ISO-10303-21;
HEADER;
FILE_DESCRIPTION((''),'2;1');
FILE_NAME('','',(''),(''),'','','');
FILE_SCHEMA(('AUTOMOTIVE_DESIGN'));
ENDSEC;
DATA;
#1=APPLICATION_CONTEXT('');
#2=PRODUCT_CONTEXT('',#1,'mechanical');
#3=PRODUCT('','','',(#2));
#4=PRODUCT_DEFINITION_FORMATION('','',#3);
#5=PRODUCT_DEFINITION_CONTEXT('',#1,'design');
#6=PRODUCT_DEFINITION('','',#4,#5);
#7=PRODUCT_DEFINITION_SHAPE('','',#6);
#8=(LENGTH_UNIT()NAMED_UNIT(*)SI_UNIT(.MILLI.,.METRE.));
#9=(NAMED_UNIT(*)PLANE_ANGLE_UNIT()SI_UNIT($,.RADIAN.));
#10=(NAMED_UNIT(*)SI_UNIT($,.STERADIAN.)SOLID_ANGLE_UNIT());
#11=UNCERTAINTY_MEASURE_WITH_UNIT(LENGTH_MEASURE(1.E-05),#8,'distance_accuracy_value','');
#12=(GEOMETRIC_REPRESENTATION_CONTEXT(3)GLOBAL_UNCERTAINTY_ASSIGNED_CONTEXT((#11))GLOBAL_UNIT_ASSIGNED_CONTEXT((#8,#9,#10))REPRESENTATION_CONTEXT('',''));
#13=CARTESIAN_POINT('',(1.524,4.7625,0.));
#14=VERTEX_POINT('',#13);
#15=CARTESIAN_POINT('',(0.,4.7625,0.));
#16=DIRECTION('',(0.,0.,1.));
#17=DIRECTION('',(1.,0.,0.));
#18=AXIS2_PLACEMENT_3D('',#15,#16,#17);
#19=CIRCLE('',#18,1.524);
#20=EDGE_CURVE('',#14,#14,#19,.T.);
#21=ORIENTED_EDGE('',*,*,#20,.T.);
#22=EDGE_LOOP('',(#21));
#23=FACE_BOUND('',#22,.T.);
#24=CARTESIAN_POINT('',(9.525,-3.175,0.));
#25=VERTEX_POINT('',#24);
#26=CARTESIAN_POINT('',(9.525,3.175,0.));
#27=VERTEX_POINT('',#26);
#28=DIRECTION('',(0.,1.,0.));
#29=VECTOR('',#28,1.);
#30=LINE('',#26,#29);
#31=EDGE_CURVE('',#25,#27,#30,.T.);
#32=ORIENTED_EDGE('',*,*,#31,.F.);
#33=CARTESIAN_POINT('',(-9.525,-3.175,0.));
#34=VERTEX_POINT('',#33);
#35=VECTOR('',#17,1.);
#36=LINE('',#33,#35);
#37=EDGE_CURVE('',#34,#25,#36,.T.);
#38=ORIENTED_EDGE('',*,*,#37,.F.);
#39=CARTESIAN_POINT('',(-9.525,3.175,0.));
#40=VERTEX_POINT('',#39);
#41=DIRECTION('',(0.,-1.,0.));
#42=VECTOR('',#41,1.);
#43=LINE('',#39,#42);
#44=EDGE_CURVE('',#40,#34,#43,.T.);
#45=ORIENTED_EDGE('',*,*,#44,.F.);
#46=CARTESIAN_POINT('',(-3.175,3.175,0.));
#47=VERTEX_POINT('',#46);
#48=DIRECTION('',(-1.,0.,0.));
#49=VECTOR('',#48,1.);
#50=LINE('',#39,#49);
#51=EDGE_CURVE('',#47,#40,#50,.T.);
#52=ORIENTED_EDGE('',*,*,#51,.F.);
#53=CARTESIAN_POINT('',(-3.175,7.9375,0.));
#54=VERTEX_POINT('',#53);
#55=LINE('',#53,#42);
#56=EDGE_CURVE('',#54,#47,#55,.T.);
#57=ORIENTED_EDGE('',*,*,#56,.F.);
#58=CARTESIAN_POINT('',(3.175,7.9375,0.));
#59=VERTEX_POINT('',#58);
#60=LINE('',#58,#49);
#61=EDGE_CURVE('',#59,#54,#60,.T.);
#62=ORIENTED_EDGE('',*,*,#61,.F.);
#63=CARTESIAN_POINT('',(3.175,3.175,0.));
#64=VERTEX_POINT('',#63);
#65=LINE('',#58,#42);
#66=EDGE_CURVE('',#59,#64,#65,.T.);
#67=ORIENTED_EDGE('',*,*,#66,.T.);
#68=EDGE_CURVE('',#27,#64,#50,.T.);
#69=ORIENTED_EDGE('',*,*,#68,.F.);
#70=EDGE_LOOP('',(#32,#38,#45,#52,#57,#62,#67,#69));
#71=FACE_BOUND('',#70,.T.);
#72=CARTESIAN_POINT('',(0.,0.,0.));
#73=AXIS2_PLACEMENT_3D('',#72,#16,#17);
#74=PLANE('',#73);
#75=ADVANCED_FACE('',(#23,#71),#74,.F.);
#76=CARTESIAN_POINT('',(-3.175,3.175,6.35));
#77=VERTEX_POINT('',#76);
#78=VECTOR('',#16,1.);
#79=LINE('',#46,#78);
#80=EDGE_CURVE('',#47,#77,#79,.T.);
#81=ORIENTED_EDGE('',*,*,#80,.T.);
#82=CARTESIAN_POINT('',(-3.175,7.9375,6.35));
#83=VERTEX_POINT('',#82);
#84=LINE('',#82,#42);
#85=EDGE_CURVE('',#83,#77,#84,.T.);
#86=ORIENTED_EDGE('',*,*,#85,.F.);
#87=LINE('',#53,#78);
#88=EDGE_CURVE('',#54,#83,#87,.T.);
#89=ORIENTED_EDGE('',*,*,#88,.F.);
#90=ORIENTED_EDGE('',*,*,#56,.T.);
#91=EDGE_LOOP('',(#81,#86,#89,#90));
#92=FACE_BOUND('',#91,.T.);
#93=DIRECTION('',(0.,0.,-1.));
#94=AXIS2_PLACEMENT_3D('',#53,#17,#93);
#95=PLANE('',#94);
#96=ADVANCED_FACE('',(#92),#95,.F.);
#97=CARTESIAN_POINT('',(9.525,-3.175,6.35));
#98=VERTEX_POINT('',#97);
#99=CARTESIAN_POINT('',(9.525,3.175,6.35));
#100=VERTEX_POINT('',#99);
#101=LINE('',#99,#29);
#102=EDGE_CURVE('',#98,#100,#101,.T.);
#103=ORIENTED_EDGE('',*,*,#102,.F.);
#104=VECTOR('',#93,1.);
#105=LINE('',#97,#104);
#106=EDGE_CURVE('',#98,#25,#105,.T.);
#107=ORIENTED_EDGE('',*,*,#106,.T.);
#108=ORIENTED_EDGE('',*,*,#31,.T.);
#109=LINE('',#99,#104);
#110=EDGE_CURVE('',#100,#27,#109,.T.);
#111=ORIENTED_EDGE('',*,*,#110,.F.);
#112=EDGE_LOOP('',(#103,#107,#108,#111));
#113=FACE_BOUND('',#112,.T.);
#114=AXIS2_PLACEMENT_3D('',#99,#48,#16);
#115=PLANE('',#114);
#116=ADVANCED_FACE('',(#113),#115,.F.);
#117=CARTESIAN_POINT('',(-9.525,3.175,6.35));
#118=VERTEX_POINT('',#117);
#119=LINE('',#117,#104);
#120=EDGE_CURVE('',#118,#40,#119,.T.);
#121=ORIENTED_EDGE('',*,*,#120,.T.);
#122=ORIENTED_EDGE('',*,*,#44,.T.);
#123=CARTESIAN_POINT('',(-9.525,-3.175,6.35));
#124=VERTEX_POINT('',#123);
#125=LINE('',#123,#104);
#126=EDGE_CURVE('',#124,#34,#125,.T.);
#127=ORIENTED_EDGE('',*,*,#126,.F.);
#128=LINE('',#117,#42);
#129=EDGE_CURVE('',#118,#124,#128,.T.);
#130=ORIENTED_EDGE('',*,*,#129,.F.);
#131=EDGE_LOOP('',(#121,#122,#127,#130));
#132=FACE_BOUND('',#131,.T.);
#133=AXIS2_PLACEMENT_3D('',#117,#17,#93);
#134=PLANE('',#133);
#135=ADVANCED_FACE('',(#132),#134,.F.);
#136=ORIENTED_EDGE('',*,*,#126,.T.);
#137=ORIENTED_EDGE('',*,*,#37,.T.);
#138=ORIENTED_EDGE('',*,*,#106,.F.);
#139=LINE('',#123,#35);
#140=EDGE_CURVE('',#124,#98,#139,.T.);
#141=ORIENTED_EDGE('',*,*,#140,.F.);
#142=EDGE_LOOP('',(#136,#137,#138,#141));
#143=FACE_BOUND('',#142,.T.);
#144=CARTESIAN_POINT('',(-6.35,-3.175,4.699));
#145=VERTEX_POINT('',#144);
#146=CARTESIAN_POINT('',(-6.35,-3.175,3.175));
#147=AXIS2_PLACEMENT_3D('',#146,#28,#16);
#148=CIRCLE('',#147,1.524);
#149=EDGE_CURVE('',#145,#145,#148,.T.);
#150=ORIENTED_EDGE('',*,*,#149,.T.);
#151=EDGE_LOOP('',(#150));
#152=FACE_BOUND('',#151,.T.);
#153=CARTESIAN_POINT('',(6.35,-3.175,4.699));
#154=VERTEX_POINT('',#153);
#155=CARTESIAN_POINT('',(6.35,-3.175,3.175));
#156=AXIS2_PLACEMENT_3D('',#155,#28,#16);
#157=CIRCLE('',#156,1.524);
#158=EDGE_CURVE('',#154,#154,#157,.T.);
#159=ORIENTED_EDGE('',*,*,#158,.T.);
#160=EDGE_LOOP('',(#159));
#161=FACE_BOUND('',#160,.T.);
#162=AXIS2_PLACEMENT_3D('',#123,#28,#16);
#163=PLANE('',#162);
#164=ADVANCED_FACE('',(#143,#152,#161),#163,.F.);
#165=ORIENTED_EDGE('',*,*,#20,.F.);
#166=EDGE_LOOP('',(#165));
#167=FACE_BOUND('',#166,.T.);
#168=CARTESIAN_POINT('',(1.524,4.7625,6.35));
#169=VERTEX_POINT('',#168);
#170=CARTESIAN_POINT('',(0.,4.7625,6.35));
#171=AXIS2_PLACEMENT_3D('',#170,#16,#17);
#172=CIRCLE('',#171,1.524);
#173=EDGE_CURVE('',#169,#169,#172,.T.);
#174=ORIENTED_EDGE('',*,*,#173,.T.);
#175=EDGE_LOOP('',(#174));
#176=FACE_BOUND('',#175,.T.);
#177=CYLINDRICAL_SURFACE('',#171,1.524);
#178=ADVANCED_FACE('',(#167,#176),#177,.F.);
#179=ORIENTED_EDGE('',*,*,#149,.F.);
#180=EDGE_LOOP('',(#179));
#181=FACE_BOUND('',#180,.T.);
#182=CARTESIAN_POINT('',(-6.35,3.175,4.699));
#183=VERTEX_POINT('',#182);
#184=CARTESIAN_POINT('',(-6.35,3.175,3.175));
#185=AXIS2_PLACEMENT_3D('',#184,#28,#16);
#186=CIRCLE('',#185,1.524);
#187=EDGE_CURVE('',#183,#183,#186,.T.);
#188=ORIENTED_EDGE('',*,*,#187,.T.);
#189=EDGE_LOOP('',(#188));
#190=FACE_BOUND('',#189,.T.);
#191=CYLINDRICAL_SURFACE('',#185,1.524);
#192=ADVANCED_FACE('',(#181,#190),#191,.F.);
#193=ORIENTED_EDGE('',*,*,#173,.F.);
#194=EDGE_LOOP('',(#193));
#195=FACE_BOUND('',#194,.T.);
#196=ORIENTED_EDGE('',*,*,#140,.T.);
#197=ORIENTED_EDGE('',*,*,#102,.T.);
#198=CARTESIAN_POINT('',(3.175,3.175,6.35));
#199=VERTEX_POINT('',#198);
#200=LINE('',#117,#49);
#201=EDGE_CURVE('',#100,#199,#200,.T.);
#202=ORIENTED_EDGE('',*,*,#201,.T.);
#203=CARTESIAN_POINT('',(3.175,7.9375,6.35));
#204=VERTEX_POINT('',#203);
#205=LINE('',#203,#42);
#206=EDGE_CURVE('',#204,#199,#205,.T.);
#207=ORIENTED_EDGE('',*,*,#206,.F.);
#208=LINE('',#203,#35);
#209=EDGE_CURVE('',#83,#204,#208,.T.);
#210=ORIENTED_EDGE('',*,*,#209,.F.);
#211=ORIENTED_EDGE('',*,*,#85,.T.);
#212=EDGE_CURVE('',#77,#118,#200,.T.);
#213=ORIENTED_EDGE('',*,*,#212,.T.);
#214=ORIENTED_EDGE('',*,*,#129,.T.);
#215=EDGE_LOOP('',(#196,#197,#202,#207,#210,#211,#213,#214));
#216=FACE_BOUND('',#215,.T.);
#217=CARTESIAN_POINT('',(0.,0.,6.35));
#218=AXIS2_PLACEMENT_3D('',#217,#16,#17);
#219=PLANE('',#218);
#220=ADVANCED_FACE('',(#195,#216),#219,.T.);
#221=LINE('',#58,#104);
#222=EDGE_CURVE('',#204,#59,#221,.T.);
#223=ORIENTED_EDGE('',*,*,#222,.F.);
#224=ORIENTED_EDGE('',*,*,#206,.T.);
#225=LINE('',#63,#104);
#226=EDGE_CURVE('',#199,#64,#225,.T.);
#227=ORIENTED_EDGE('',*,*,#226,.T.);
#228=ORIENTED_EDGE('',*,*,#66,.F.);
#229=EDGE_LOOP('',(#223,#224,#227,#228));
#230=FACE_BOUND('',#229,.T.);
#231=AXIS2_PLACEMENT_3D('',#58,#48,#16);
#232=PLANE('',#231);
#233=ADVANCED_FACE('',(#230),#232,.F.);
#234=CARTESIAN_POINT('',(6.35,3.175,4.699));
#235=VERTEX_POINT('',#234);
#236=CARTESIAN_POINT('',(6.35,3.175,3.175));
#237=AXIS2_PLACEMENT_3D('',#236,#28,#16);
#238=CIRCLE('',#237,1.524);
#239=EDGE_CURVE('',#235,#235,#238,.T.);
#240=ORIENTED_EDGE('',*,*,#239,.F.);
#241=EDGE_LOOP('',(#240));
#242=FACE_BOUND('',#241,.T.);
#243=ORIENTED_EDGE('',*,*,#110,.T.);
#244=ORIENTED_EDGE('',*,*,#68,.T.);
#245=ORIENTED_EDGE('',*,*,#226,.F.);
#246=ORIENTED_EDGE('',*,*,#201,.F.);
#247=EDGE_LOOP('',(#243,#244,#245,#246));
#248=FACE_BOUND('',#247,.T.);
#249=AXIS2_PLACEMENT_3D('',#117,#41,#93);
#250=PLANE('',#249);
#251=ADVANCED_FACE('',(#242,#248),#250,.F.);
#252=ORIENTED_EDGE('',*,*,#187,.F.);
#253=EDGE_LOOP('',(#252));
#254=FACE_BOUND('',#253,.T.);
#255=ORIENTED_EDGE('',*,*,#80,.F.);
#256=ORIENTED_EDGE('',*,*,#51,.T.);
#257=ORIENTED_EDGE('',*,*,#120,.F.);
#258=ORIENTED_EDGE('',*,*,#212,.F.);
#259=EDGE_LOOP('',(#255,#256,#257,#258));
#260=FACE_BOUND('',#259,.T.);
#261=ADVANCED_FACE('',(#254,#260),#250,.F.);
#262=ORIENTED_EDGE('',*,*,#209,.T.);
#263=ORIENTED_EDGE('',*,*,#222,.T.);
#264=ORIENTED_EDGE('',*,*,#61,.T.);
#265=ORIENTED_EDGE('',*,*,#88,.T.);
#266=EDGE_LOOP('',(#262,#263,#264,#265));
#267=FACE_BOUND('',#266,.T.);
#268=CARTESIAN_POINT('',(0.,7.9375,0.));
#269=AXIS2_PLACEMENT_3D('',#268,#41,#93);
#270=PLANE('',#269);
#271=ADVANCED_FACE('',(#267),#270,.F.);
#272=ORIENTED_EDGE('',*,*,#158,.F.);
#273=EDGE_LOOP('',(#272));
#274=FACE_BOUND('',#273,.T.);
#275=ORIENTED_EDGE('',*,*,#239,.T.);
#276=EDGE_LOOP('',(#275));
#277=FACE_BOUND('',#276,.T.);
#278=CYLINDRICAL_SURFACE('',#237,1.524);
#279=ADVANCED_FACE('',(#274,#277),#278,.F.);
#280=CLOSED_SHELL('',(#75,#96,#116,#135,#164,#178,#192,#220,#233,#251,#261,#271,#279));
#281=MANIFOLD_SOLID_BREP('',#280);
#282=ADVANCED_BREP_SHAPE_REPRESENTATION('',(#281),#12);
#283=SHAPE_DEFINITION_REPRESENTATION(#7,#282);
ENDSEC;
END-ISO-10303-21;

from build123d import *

# Parameters (mm, degrees)
SKETCH1_W                        = 19.05
SKETCH1_H                        = 6.35
BOSS_EXTRUDE1_DEPTH              = 6.35
SKETCH6_W                        = 6.35
SKETCH6_H                        = 6.35
BOSS_EXTRUDE2_DEPTH              = 4.7625
TAPPED_HOLE_FOR_4_40_HELICOIL1_D = 3.048
TAPPED_HOLE_FOR_4_40_HELICOIL2_D = 3.048


with BuildPart() as part:
    # Sketch1 → Boss-Extrude1 (new body)
    with BuildSketch(Plane.XY):
        Rectangle(SKETCH1_W, SKETCH1_H)
    extrude(amount=BOSS_EXTRUDE1_DEPTH)

    # Sketch6 → Boss-Extrude2 (add)
    with BuildSketch(Plane(origin=(0, 3.175, 0), x_dir=(1, 0, 0), z_dir=(0, 1, 0))):
        with Locations((0, -3.175)):
            Rectangle(SKETCH6_W, SKETCH6_H)
    extrude(amount=BOSS_EXTRUDE2_DEPTH)

    # Tapped Hole for #4-40 Helicoil1 (through all)
    with Locations(Plane(origin=(0, 3.175, 0), x_dir=(1, 0, 0), z_dir=(0, 1, 0))):
        with Locations((-6.35, -3.175), (6.35, -3.175)):
            Hole(TAPPED_HOLE_FOR_4_40_HELICOIL1_D / 2)

    # Tapped Hole for #4-40 Helicoil2 (through all)
    with Locations(Plane.XY.offset(6.35)):
        with Locations((0, 4.7625)):
            Hole(TAPPED_HOLE_FOR_4_40_HELICOIL2_D / 2)


solid = part.part
